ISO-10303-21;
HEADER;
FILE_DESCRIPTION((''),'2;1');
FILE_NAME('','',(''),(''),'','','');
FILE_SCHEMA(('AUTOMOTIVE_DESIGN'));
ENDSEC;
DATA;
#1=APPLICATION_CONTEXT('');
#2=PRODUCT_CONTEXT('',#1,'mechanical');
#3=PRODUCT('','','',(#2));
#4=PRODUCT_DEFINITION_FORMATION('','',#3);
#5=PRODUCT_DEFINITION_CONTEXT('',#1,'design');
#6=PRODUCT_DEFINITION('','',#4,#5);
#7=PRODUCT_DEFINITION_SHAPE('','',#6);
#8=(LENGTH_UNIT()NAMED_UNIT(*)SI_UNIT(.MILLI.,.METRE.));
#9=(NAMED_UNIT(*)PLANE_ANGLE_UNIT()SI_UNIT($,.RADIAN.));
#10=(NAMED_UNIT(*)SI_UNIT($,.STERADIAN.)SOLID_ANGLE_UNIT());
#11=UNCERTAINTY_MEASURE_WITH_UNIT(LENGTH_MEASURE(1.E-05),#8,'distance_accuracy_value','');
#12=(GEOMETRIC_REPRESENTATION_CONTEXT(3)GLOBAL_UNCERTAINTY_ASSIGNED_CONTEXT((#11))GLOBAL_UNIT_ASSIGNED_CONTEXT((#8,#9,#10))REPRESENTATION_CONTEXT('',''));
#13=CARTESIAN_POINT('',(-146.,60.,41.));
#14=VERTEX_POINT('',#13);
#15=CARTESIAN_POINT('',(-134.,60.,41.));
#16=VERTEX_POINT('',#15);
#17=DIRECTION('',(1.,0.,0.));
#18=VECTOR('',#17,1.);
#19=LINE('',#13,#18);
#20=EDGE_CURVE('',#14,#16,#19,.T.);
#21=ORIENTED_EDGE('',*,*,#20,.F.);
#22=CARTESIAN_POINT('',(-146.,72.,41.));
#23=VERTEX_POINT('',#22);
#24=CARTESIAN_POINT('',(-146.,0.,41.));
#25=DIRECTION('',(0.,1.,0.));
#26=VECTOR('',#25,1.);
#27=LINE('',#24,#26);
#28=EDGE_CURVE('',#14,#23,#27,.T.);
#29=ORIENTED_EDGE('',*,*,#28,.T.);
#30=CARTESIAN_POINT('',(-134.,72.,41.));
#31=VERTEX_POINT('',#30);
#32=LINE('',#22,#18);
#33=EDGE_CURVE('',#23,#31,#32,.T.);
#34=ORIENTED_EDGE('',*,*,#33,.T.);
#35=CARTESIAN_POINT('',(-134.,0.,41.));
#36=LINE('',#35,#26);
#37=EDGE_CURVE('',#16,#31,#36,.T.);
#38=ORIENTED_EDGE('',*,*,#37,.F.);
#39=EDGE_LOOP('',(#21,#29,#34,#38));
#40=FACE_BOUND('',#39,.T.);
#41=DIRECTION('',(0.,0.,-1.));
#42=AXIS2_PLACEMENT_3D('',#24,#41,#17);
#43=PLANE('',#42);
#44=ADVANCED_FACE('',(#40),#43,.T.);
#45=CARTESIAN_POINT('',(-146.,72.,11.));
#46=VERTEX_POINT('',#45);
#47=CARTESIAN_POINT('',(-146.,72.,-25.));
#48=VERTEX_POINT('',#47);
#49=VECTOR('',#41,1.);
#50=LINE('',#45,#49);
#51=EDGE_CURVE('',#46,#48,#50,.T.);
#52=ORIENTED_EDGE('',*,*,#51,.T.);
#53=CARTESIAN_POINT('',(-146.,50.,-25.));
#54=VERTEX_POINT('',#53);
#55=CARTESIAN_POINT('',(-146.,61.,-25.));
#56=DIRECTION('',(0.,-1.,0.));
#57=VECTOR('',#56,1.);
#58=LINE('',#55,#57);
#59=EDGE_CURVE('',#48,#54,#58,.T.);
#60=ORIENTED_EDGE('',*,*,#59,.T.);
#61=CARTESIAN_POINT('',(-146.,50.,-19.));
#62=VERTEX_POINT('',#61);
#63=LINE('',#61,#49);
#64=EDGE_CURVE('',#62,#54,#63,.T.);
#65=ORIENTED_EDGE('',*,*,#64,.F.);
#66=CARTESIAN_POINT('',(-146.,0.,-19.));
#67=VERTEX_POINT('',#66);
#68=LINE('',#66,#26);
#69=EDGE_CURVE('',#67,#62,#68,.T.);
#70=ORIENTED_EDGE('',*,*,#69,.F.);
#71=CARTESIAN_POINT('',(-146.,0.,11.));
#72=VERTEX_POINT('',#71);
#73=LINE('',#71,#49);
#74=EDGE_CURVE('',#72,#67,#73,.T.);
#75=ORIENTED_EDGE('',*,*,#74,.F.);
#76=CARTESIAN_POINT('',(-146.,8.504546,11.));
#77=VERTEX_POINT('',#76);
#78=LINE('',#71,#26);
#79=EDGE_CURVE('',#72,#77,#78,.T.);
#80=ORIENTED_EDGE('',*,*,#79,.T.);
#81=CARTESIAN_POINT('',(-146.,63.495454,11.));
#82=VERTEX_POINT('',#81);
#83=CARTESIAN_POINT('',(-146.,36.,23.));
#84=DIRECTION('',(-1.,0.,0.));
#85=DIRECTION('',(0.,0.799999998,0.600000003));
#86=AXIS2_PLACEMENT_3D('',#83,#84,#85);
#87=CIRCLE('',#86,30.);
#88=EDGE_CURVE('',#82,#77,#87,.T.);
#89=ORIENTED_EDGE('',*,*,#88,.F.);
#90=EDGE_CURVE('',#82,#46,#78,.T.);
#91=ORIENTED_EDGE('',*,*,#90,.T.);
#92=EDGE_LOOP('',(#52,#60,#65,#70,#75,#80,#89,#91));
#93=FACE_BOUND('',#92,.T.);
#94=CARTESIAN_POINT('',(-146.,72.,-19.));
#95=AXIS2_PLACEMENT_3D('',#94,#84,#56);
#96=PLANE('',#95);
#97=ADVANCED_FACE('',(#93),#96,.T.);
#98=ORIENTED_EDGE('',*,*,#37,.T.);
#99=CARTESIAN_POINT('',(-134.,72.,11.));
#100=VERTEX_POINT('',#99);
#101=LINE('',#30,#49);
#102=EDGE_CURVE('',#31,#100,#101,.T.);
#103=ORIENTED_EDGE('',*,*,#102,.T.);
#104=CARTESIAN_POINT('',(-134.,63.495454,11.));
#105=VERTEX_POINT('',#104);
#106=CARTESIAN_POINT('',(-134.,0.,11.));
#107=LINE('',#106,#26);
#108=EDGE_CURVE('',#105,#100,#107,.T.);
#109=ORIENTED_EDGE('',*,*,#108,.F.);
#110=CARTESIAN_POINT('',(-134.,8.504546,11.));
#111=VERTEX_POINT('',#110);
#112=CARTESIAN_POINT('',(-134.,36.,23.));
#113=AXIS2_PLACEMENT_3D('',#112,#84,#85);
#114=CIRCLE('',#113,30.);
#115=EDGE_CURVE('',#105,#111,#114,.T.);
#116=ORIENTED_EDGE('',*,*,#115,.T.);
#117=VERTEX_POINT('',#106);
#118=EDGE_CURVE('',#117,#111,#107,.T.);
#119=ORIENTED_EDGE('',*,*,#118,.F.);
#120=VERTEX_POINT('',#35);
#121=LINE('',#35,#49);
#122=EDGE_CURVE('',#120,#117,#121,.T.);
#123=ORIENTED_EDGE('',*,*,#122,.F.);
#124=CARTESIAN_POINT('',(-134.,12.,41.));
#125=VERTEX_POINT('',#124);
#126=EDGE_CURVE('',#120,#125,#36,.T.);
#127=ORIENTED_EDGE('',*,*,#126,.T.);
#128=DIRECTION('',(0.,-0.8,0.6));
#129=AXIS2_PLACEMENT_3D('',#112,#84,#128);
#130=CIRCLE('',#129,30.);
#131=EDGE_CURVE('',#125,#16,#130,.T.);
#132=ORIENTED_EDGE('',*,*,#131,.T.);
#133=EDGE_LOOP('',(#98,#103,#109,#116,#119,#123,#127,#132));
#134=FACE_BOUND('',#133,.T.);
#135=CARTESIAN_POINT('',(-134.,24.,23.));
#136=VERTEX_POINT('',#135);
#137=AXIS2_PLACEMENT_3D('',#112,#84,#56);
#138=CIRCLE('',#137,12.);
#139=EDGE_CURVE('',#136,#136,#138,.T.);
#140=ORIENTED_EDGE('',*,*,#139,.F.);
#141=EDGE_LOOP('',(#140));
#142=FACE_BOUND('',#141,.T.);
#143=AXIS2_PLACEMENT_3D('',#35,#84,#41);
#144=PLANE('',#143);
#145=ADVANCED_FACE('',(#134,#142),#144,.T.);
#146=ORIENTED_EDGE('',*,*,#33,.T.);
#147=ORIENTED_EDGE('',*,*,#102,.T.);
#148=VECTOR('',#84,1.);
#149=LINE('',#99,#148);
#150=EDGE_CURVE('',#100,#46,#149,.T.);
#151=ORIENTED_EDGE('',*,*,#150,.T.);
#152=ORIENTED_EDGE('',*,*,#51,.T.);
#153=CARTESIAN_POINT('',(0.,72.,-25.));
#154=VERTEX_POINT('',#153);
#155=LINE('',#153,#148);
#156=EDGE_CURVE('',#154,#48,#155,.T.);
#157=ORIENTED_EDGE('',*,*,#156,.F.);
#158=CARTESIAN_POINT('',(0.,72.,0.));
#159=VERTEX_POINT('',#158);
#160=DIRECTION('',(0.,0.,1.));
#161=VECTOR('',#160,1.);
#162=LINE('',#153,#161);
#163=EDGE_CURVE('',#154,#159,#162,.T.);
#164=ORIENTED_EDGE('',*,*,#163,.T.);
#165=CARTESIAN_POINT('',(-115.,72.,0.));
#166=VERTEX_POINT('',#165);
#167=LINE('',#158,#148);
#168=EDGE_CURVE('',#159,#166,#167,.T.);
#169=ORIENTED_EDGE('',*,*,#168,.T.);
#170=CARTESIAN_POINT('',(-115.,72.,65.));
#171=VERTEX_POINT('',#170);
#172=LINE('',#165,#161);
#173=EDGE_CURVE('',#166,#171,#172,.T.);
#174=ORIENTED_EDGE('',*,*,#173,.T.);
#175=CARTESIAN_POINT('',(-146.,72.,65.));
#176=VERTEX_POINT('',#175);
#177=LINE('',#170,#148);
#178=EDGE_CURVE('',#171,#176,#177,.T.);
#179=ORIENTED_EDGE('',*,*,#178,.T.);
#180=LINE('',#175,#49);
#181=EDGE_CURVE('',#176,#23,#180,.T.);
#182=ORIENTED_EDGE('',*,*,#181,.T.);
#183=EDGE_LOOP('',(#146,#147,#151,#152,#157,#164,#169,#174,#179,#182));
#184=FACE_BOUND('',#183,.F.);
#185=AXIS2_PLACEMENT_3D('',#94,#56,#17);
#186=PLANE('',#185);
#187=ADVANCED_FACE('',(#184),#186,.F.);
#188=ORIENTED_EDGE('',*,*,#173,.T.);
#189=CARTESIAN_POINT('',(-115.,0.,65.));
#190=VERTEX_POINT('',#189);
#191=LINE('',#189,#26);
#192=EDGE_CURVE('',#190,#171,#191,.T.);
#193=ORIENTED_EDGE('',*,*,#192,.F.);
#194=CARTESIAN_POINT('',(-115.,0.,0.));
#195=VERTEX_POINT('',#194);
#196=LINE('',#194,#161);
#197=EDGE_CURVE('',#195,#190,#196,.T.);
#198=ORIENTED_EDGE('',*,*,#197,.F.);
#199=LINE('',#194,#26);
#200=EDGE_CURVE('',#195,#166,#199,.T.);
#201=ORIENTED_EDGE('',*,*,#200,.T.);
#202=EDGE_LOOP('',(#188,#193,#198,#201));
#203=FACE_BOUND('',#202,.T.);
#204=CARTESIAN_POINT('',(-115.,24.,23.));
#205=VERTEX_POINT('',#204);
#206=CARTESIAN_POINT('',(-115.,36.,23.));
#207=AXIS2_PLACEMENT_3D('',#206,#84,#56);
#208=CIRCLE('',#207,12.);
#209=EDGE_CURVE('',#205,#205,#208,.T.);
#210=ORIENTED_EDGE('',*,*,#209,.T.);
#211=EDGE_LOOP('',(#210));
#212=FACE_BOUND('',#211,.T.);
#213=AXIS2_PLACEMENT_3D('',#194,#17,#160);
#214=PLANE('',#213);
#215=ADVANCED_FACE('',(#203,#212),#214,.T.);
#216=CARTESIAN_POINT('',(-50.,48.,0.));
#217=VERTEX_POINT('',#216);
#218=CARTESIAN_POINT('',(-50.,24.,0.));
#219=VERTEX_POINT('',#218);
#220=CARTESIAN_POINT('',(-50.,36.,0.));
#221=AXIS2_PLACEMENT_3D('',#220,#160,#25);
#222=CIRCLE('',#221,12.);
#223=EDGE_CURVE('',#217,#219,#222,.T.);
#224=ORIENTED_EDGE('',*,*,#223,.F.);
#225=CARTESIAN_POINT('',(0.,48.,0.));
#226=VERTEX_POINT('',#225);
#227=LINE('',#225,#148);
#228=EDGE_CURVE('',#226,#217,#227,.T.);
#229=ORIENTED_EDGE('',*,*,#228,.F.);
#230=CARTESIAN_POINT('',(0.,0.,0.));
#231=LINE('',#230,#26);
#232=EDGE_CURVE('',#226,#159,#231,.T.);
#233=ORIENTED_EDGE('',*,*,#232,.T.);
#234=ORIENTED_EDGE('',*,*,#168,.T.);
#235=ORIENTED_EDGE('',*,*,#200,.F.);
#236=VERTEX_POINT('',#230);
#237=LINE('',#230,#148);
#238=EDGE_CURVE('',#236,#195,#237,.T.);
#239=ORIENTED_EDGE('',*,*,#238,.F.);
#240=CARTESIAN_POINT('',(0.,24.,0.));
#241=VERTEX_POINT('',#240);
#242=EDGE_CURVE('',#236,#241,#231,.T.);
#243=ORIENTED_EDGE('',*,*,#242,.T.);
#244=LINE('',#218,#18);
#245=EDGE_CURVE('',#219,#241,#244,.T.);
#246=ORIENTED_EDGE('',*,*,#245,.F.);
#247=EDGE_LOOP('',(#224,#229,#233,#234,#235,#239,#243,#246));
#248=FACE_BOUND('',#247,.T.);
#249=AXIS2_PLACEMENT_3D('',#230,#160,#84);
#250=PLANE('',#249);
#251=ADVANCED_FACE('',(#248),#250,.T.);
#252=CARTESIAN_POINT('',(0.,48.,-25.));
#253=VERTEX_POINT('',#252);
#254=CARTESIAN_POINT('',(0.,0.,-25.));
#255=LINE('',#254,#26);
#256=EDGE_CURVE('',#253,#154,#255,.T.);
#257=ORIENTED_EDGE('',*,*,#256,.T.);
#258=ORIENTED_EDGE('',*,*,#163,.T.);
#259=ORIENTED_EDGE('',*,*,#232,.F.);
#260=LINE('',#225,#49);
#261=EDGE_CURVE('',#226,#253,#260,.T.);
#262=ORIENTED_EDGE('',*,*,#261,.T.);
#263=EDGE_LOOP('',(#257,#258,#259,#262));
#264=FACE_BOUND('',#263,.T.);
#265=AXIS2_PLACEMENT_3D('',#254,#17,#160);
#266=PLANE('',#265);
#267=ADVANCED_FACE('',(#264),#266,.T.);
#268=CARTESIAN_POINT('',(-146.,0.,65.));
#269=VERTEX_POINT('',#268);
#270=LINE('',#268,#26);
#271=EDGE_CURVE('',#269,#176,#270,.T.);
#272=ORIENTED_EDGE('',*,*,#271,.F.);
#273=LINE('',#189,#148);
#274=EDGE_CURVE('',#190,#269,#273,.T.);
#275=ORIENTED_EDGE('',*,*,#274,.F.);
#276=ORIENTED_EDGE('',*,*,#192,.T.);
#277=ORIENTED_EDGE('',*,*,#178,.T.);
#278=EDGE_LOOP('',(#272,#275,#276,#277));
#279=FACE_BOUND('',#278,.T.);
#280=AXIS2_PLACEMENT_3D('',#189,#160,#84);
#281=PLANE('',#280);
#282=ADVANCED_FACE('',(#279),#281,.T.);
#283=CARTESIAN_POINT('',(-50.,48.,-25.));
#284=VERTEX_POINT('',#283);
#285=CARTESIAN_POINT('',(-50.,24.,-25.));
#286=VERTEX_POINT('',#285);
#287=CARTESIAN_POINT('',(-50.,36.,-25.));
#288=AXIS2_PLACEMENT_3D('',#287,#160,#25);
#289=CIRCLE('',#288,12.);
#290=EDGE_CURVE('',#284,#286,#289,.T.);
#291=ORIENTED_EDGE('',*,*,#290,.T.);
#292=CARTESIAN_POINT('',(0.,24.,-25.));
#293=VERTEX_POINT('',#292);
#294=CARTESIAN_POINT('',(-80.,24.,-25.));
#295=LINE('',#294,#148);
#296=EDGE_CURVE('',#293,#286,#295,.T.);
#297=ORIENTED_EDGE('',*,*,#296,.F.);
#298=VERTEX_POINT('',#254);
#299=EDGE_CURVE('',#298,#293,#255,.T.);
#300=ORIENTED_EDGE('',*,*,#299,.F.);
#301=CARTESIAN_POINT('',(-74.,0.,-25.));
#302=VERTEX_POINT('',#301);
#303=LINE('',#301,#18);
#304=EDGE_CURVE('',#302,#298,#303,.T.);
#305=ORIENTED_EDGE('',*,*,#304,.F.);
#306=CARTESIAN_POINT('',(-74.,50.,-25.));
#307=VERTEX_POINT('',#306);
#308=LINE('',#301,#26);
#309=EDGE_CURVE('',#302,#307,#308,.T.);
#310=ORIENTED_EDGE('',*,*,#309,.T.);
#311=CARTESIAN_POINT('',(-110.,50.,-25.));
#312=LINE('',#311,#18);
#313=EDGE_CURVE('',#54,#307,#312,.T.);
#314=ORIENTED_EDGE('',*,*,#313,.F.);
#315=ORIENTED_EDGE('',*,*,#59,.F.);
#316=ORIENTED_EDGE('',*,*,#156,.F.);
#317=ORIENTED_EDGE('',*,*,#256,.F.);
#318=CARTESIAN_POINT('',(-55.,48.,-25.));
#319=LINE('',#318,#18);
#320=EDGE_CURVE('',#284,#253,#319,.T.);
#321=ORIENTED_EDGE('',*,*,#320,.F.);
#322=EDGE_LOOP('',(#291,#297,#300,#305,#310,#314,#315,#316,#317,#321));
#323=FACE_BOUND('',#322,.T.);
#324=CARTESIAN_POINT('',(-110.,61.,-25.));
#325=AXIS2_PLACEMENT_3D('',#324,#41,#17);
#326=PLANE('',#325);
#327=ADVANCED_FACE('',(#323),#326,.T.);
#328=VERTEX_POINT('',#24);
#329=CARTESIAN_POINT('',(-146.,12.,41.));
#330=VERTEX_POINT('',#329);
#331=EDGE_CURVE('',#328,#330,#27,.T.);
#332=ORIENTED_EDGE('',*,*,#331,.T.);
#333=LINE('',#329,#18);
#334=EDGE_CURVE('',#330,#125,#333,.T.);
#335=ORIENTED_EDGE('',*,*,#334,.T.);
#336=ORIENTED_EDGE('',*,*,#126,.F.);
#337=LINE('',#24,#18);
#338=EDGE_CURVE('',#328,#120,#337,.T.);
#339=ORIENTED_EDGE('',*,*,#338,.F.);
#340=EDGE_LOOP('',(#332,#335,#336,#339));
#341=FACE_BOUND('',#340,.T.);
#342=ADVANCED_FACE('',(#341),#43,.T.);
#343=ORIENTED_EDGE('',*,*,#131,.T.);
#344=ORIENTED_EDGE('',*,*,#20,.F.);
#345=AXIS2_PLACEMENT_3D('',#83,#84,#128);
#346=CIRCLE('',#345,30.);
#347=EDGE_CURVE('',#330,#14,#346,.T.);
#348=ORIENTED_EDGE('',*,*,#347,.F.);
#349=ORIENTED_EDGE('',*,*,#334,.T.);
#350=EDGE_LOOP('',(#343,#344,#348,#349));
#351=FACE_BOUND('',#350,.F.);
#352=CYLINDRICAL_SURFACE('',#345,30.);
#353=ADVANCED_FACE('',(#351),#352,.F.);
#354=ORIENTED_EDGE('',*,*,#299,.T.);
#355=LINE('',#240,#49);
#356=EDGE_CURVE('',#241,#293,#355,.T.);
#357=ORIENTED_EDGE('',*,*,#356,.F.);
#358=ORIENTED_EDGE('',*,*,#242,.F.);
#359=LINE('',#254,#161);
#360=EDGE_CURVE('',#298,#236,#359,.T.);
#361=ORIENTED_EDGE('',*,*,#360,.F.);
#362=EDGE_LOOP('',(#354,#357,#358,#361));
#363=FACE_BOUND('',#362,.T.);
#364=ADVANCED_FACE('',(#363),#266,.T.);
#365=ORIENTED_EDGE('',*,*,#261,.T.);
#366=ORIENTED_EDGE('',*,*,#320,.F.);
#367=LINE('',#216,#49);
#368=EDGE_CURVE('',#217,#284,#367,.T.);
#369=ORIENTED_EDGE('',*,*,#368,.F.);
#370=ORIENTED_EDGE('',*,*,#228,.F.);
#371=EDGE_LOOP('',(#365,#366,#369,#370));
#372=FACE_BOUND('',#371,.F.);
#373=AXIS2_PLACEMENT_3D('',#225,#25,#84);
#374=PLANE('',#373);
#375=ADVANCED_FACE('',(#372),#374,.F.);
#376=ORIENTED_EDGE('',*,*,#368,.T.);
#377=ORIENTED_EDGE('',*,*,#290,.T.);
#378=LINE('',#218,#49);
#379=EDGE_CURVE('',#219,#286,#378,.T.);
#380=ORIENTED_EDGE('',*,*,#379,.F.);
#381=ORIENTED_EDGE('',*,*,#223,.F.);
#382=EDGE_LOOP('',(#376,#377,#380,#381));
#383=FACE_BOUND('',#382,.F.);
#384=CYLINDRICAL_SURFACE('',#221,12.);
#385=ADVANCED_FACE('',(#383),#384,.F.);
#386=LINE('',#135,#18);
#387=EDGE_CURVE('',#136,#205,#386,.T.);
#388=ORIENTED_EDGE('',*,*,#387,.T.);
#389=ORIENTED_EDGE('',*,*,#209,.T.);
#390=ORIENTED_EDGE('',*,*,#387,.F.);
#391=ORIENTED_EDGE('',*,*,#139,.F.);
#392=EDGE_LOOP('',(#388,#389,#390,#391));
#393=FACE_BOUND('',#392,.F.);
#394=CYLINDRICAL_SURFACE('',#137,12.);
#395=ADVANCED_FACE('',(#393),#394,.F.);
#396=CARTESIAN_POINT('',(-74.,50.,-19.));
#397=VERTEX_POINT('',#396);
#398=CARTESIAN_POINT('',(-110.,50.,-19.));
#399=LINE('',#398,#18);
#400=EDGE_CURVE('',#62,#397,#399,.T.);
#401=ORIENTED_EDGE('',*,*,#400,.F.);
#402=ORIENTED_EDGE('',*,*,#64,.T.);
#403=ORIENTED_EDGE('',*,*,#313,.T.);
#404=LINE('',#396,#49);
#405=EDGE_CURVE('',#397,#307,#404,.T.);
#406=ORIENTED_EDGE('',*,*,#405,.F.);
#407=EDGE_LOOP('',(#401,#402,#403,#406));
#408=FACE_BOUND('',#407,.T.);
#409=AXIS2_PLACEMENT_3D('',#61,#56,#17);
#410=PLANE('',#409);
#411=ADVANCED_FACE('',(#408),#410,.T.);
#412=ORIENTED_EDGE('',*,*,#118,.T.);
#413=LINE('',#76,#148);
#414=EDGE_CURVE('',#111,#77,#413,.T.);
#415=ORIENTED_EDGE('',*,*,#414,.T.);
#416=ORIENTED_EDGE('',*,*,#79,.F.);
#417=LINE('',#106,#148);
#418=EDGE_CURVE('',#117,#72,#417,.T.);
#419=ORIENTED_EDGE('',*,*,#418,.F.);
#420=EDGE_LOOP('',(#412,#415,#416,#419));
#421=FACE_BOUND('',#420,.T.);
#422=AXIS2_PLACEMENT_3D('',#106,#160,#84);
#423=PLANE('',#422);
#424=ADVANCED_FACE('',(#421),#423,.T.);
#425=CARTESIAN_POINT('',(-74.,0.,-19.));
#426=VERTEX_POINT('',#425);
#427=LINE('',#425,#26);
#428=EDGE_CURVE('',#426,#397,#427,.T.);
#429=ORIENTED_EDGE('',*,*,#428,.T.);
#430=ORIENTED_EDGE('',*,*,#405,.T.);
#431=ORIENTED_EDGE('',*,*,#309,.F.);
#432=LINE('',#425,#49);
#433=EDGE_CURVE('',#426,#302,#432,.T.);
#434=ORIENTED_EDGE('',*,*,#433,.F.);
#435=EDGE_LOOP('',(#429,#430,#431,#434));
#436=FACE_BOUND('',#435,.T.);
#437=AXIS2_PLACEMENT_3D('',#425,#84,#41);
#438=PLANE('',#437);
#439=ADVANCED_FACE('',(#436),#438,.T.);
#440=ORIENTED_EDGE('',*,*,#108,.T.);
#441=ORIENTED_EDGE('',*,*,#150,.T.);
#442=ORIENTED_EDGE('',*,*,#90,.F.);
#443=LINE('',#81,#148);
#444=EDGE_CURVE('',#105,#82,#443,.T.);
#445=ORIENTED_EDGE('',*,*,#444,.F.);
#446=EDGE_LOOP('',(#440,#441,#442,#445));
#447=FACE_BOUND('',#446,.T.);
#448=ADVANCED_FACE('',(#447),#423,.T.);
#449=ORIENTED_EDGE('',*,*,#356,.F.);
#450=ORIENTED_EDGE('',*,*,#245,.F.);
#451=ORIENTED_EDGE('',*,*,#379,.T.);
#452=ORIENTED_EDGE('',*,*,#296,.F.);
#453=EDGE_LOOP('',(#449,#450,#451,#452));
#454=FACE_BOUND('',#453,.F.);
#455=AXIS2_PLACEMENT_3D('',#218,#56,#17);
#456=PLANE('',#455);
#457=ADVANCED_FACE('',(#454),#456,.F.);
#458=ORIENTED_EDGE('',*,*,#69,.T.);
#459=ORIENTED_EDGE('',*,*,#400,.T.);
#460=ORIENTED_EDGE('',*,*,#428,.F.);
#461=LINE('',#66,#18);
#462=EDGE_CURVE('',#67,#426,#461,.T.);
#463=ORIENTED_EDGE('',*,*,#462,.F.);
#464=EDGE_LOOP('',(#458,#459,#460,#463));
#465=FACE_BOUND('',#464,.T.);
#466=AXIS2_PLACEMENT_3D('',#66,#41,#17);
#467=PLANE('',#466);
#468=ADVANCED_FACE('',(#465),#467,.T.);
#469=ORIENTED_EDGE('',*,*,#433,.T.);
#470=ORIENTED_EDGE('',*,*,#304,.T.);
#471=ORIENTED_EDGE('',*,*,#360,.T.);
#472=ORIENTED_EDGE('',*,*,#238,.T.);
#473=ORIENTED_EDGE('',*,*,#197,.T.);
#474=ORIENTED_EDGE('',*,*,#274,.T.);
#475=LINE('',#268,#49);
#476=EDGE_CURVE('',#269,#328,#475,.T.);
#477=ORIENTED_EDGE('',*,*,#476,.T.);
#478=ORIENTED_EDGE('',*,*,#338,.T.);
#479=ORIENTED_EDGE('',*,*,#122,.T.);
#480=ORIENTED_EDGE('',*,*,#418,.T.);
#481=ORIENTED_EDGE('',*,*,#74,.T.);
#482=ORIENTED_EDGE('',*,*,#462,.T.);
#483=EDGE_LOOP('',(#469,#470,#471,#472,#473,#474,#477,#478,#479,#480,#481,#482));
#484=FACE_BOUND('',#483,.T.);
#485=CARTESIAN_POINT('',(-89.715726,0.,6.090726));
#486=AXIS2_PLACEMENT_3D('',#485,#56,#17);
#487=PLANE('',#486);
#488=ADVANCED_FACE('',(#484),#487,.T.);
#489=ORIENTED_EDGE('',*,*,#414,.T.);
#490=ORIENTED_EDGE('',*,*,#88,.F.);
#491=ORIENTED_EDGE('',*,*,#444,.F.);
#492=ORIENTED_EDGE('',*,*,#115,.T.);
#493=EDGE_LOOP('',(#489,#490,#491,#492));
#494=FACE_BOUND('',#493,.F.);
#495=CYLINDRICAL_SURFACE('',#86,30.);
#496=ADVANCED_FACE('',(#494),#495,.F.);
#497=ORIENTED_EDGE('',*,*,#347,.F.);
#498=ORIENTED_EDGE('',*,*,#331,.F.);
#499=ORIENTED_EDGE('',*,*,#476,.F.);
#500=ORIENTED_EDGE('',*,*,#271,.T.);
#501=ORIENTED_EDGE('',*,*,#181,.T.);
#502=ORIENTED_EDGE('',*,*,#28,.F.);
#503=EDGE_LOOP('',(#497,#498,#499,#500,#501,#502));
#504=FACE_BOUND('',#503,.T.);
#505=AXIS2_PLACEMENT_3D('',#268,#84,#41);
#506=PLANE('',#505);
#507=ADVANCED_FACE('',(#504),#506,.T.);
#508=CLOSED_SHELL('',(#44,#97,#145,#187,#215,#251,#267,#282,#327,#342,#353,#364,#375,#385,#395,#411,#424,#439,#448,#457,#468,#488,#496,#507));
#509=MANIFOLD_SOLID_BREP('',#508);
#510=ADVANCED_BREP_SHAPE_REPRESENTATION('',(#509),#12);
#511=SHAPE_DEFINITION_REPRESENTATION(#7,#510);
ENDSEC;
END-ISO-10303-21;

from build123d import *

# Parameters (mm, degrees)
F2_DEPTH  = 72
F3_W      = 72
F3_H      = 22
F4_DEPTH  = 6
F6_DEPTH  = 25.001
F8_DEPTH  = 12
F10_DEPTH = 12
F11_R     = 12
F12_DEPTH = 134.001


with BuildPart() as f2:
    # F0 (on Front) → F2 (new body)
    with BuildSketch(Plane.XZ):
        Polygon((-134, 11), (-146, 11), (-146, -19), (-74, -19), (-74, -25), (0, -25), (0, 0), (-115, 0), (-115, 65), (-146, 65), (-146, 41), (-134, 41), align=None)
    extrude(amount=-F2_DEPTH)

    # F3 (on face) → F4 (join)
    with BuildSketch(Plane(origin=(0, 0, -19), x_dir=(1, 0, 0), z_dir=(0, 0, -1))):
        with Locations((-110, -61)):
            Rectangle(F3_W, F3_H)
    extrude(amount=F4_DEPTH)

    # F5 (on Top) → F6 (cut, through all)
    with BuildSketch(Plane.XY):
        with BuildLine():
            Line((-50, 24), (0, 24))
            Line((0, 24), (0, 48))
            Line((0, 48), (-50, 48))
            ThreePointArc((-50, 48), (-62, 36), (-50, 24))
        make_face()
    extrude(amount=-F6_DEPTH, mode=Mode.SUBTRACT)

    # F7 (on face) → F8 (cut)
    with BuildSketch(Plane(origin=(-146, 0, 0), x_dir=(0, -1, 0), z_dir=(-1, 0, 0))):
        with BuildLine():
            Line((-13.861853, 11), (-58.138147, 11))
            ThreePointArc((-58.138147, 11), (-36, 1.246048), (-13.861853, 11))
        make_face()
    extrude(amount=-F8_DEPTH, mode=Mode.SUBTRACT)

    # F9 (on face) → F10 (cut)
    with BuildSketch(Plane(origin=(-146, 0, 0), x_dir=(0, -1, 0), z_dir=(-1, 0, 0))):
        with BuildLine():
            Line((-60, 41), (-12, 41))
            ThreePointArc((-12, 41), (-36, 53), (-60, 41))
        make_face()
        with BuildLine():
            Line((-6.492059, 17.588768), (-8.615558, 35.251218))
            ThreePointArc((-8.615558, 35.251218), (-10.147489, 38.219976), (-12, 41))
            Line((-12, 41), (-60, 41))
            ThreePointArc((-60, 41), (-48.025215, -4.484436), (-6.492059, 17.588768))
        make_face()
    extrude(amount=-F10_DEPTH, mode=Mode.SUBTRACT)

    # F11 (on face) → F12 (cut, through all)
    with BuildSketch(Plane(origin=(-134, 0, 0), x_dir=(0, -1, 0), z_dir=(-1, 0, 0))):
        with Locations((-36, 23)):
            Circle(F11_R)
    extrude(amount=-F12_DEPTH, mode=Mode.SUBTRACT)


solid = f2.part
